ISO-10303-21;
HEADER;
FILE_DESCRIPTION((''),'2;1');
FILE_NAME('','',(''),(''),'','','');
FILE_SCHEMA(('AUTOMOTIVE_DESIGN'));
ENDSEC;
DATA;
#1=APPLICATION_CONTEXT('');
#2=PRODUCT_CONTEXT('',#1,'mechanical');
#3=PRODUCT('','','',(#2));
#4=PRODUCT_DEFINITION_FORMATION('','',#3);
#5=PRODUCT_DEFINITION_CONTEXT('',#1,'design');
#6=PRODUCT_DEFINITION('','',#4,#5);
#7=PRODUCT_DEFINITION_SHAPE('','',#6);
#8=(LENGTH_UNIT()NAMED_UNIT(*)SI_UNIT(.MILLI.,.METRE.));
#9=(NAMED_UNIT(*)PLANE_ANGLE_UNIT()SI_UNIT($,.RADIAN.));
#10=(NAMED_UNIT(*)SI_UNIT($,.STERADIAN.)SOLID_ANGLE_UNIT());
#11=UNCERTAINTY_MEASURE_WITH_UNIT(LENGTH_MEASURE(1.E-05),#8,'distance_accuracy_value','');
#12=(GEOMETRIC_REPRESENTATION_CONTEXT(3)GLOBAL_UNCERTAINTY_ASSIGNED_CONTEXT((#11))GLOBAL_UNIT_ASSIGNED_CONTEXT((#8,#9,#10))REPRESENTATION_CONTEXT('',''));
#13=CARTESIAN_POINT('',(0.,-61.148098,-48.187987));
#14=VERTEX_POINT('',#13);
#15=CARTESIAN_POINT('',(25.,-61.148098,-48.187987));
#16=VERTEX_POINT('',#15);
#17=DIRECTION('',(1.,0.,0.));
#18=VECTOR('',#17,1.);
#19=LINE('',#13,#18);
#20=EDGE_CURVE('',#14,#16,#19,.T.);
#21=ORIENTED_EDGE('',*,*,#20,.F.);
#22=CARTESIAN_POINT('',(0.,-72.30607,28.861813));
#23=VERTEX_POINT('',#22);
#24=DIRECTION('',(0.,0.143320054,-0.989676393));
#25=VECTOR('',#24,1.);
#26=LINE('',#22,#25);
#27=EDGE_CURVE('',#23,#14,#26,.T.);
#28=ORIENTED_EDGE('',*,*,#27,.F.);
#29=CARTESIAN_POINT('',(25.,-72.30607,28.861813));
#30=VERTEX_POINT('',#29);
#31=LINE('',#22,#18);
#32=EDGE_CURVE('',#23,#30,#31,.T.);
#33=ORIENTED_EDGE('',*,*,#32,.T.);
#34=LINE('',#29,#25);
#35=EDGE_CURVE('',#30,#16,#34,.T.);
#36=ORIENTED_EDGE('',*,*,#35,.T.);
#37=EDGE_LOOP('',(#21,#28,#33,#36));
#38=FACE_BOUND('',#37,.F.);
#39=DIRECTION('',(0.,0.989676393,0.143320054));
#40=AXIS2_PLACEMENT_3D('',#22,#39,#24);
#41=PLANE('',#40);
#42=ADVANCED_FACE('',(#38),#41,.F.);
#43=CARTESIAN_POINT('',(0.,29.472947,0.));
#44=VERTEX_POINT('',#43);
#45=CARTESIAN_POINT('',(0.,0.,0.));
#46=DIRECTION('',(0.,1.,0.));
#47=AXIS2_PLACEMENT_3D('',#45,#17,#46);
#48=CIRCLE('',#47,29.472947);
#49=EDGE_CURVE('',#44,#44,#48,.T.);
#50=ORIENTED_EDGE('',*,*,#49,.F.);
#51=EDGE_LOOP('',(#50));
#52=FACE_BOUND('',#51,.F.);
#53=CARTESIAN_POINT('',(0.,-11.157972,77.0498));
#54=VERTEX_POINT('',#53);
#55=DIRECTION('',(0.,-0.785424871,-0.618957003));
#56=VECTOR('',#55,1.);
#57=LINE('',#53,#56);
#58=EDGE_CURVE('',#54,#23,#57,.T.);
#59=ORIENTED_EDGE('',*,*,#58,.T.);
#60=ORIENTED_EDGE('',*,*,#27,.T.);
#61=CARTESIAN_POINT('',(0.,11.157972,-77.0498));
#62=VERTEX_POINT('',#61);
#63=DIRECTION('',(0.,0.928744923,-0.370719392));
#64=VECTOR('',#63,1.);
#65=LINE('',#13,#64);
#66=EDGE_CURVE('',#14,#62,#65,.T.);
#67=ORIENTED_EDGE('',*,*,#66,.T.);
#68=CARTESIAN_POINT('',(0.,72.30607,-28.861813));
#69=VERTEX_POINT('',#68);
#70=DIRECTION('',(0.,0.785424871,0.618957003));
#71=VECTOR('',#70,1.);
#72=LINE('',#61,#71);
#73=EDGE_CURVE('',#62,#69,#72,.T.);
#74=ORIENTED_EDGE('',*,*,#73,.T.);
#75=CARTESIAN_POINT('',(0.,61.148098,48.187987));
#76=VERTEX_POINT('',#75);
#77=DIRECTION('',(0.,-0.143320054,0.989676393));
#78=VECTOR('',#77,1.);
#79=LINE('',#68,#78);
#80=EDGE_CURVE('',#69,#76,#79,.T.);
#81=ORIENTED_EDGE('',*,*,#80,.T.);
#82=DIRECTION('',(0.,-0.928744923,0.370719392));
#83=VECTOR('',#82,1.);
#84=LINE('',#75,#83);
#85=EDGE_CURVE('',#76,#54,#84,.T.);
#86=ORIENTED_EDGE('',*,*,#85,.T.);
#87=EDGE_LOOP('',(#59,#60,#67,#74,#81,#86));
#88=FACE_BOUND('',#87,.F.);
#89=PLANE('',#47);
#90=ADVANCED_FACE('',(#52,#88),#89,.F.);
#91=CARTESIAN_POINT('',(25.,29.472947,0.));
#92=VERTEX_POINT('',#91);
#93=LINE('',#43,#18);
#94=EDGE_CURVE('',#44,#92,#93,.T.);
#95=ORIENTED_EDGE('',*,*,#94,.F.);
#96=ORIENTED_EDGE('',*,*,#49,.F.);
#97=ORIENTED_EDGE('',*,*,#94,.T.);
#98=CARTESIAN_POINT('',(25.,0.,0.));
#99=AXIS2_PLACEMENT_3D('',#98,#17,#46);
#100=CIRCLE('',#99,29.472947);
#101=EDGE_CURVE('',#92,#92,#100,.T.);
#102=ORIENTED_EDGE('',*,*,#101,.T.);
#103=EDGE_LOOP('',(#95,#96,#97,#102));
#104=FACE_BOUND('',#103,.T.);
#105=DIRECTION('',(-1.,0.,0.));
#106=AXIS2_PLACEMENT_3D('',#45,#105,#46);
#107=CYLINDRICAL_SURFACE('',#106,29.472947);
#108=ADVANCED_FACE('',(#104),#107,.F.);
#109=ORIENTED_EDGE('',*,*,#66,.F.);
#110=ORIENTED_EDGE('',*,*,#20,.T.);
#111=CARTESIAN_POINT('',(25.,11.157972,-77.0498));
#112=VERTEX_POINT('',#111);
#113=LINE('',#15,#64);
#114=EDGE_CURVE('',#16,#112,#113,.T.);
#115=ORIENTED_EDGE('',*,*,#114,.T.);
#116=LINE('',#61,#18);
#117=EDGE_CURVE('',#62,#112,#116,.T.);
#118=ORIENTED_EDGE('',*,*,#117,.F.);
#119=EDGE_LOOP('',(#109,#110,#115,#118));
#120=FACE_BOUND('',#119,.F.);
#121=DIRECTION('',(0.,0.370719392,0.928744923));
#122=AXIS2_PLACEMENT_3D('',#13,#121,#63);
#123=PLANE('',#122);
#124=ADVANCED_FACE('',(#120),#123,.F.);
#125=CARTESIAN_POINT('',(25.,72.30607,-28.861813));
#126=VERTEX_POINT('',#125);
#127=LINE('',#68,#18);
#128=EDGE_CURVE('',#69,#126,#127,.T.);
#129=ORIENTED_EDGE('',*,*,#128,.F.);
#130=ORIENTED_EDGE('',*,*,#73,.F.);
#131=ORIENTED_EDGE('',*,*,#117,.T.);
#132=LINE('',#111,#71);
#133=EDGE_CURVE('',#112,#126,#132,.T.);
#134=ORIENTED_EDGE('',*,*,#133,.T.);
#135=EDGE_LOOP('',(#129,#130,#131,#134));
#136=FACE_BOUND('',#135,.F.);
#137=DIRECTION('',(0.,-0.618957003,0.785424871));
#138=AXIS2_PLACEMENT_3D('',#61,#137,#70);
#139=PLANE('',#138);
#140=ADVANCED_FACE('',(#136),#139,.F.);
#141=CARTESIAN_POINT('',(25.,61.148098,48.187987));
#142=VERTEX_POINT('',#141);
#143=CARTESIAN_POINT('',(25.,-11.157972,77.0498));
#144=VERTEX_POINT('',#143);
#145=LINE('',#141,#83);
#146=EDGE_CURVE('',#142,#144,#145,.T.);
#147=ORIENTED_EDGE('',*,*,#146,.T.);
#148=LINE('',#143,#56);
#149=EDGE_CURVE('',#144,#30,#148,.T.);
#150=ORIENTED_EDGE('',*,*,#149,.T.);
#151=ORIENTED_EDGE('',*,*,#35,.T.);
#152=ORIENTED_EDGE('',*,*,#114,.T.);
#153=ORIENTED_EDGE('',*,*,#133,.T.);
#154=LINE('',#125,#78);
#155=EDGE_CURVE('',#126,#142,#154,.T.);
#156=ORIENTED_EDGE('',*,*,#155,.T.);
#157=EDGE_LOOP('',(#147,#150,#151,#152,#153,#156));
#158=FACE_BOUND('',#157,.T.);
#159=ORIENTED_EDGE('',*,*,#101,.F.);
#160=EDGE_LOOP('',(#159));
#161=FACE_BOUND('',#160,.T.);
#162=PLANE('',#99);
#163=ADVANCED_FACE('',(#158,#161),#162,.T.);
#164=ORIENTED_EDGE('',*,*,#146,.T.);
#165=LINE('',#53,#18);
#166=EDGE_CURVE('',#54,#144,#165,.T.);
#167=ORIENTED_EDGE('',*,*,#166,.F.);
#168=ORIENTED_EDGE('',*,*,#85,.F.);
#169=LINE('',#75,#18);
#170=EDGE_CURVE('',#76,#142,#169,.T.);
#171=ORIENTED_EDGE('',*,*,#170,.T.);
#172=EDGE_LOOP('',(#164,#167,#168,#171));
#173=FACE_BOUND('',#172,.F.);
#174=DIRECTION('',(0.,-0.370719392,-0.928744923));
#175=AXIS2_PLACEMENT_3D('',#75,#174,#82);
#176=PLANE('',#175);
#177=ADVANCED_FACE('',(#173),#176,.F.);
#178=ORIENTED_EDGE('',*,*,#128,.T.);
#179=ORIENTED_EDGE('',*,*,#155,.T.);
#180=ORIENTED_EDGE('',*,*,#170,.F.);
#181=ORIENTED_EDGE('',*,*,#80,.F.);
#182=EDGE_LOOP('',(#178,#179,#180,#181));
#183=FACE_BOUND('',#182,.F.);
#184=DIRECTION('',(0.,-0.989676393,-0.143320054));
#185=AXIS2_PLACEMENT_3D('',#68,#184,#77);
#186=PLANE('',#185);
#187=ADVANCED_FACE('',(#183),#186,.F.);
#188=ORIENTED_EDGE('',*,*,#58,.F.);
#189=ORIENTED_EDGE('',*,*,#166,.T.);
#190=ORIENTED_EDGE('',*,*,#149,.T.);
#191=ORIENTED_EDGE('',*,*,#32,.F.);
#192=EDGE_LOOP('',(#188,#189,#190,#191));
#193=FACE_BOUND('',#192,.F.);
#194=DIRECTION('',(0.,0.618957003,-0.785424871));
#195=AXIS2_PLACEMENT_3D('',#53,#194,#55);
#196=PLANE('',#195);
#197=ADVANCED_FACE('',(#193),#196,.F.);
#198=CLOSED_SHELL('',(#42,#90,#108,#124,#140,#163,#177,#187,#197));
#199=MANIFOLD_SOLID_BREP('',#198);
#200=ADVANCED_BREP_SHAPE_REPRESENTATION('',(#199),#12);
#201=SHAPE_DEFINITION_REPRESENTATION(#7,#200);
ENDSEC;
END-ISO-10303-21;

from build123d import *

# Parameters (mm, degrees)
F0_R     = 29.472947
F1_DEPTH = 25


with BuildPart() as f1:
    # F0 (on Right) → F1 (new body)
    with BuildSketch(Plane.YZ):
        Polygon((11.157972, -77.0498), (72.30607, -28.861813), (61.148098, 48.187987), (-11.157972, 77.0498), (-72.30607, 28.861813), (-61.148098, -48.187987), align=None)
        Circle(F0_R, mode=Mode.SUBTRACT)
    extrude(amount=F1_DEPTH)


solid = f1.part
